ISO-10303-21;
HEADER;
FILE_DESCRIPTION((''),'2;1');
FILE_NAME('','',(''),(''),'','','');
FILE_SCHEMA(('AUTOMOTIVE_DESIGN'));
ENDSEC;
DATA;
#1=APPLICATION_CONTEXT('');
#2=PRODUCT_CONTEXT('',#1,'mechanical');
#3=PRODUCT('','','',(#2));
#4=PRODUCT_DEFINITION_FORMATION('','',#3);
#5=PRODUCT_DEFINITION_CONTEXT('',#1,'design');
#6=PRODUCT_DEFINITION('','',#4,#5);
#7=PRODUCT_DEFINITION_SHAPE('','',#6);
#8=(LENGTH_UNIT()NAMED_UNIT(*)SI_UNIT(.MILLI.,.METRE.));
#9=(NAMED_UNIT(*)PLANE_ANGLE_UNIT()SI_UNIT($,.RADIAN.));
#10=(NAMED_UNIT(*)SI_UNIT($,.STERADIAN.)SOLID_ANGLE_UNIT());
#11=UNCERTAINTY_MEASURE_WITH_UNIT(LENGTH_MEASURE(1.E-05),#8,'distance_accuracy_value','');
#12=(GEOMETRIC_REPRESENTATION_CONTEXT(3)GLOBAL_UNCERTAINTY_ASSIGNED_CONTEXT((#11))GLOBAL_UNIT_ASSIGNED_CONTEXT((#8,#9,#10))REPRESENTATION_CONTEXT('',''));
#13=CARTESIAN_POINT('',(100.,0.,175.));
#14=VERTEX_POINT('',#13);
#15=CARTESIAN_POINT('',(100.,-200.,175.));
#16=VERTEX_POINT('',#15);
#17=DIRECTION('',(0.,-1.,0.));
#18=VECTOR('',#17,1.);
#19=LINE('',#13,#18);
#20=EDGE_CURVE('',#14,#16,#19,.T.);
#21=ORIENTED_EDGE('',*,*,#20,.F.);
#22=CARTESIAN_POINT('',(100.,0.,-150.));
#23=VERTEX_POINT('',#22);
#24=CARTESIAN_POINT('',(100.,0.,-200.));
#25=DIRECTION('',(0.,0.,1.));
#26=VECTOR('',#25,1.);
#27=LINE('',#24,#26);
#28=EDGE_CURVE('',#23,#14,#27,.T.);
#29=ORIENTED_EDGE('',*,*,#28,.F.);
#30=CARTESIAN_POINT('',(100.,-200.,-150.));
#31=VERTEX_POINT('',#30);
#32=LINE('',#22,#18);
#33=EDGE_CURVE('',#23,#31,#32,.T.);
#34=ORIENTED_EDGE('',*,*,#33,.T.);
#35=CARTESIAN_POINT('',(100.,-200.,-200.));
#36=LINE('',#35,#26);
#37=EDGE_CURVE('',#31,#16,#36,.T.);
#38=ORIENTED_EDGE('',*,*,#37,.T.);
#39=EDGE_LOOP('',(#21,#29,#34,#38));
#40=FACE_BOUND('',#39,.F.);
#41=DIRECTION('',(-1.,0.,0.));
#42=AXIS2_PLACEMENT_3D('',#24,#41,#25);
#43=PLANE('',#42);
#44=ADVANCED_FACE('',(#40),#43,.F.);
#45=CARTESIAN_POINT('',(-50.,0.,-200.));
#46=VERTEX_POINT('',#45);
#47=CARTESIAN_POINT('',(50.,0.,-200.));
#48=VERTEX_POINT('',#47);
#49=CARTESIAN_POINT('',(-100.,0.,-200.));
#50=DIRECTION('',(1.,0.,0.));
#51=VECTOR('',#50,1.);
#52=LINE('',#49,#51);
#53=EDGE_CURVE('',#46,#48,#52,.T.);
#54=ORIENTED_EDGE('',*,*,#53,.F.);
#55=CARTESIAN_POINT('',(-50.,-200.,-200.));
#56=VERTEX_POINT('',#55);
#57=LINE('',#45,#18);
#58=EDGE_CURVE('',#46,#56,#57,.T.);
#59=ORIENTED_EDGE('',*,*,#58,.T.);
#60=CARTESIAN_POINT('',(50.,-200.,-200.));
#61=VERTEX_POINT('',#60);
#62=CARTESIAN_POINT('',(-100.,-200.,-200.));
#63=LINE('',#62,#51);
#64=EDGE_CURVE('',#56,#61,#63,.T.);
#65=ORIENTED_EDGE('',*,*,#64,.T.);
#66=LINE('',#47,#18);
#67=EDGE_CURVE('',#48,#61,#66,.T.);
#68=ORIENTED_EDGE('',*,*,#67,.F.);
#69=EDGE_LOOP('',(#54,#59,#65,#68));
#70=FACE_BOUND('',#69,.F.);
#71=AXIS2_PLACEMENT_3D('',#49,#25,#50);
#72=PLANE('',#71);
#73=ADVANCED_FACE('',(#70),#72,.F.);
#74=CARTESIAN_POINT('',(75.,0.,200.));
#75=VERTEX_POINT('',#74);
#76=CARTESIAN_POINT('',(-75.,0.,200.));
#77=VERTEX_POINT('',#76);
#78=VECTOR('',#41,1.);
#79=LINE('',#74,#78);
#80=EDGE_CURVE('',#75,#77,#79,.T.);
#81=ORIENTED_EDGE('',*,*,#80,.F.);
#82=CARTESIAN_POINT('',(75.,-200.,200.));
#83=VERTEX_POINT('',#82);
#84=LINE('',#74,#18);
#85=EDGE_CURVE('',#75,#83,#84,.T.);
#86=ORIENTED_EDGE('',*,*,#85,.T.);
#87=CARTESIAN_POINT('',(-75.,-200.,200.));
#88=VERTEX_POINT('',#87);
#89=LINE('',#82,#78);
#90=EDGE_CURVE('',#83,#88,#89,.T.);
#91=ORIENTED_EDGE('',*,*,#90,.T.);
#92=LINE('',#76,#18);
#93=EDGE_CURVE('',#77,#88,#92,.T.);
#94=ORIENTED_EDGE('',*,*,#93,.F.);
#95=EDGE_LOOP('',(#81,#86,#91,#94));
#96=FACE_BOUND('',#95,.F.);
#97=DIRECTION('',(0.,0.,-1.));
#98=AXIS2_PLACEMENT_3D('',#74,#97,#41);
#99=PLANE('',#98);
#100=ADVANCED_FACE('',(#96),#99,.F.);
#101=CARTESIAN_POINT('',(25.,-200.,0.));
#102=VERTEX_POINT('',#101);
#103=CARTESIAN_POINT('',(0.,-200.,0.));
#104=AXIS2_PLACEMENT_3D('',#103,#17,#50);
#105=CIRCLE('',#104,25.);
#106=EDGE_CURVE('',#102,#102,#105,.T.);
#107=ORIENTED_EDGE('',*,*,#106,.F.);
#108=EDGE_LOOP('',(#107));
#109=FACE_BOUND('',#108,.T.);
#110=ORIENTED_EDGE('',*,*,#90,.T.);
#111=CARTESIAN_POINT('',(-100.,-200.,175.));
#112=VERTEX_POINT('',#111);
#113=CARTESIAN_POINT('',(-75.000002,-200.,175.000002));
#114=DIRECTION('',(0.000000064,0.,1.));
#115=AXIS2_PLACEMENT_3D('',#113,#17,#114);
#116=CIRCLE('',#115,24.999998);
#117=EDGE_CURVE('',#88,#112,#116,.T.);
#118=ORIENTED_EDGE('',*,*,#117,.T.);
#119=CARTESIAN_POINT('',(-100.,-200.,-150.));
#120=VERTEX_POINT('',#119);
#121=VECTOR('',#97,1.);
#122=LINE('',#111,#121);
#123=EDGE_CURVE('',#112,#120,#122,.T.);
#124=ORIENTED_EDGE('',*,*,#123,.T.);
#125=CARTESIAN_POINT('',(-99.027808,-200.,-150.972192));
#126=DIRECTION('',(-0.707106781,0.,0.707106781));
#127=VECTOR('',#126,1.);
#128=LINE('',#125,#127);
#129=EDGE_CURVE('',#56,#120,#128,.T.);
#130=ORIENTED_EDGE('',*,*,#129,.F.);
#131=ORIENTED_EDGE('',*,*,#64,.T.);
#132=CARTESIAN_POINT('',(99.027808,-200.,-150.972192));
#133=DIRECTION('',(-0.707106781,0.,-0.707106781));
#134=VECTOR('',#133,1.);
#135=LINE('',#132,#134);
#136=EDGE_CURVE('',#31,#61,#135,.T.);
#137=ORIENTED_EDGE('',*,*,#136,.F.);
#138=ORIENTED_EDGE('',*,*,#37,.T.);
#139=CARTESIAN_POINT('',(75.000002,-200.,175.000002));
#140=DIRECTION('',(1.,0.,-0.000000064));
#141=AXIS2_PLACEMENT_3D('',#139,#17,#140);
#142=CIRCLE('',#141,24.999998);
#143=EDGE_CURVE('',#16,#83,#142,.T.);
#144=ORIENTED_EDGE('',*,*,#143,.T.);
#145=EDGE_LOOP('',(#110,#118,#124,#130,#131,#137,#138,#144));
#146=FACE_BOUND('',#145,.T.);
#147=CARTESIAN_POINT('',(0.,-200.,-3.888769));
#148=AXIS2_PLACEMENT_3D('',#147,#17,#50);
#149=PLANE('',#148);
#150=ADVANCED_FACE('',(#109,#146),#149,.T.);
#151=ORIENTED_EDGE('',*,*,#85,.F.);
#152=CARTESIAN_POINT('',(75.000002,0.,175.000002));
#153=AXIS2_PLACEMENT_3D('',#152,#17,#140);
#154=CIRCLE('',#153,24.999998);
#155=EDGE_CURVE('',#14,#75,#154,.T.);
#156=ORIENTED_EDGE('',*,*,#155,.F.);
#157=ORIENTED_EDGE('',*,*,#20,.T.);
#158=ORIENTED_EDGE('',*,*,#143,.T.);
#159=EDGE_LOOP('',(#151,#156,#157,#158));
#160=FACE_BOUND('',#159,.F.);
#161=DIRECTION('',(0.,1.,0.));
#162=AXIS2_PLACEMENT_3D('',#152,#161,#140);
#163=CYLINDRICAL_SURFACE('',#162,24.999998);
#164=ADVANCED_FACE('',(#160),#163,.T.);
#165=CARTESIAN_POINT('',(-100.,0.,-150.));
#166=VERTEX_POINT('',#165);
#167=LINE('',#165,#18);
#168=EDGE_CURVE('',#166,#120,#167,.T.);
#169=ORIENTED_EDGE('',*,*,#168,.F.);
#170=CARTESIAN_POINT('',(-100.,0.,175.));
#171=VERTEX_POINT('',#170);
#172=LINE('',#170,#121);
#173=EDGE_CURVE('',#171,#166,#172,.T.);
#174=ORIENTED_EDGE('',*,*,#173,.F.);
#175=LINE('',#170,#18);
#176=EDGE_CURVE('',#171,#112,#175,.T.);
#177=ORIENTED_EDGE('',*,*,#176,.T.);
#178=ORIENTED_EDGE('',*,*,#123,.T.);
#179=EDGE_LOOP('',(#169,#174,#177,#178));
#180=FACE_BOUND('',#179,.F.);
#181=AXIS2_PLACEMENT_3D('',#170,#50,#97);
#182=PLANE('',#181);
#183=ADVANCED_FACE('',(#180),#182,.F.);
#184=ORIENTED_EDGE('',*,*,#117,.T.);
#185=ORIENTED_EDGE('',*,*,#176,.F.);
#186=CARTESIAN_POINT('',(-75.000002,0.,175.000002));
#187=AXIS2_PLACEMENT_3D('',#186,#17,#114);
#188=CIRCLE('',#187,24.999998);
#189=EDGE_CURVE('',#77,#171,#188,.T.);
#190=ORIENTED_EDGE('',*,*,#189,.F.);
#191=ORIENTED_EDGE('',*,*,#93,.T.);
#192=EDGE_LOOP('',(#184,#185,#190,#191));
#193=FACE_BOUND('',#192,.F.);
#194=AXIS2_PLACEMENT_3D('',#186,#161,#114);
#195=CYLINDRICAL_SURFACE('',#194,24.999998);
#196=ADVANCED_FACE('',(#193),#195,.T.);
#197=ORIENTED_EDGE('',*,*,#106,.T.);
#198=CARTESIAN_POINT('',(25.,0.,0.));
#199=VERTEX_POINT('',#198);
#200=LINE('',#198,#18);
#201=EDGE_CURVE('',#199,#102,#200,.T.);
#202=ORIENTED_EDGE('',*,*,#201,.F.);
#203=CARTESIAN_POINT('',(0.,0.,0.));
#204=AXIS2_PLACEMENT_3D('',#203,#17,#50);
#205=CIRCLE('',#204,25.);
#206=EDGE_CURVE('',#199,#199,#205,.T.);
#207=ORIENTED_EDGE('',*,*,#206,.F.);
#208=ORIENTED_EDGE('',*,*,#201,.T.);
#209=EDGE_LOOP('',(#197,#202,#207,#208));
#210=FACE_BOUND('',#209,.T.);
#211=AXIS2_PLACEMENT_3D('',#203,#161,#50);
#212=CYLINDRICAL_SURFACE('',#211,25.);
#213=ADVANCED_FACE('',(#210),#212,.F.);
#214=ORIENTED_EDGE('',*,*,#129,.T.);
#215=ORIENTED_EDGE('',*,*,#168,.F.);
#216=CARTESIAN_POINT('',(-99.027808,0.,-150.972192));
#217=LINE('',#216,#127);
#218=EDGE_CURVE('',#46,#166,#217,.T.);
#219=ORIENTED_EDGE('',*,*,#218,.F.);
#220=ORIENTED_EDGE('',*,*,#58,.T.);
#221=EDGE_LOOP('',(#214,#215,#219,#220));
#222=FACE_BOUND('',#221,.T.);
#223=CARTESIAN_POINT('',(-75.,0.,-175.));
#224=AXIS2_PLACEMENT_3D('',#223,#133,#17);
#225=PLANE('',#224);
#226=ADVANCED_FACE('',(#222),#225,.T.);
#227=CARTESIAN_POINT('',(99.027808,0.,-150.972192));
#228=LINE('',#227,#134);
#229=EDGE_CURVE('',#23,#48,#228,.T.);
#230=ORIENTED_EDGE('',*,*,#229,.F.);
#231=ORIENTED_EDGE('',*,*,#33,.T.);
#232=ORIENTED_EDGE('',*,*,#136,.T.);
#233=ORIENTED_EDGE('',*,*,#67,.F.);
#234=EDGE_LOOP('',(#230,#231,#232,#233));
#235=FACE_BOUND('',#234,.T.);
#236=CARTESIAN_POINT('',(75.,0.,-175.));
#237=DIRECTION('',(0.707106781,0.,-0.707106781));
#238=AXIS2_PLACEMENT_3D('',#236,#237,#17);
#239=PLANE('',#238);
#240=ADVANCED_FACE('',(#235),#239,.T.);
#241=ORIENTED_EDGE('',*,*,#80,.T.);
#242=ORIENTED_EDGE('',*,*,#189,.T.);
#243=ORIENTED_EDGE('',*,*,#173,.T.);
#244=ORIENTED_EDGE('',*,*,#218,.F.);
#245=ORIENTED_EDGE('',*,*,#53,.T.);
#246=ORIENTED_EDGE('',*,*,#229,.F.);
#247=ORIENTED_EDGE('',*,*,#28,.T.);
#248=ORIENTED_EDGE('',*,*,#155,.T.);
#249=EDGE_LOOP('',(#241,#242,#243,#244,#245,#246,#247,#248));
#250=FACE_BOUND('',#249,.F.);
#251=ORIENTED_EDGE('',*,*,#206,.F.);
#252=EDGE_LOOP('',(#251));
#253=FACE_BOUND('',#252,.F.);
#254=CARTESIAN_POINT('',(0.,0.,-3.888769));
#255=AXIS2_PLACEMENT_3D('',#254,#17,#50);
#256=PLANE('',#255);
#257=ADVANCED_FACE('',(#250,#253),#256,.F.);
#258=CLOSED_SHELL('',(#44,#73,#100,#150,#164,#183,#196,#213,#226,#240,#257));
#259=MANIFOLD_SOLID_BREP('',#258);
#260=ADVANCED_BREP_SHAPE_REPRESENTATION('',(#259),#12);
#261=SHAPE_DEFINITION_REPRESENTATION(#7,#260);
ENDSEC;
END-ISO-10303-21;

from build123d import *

# Parameters (mm, degrees)
F0_R     = 25
F1_DEPTH = 200
F2_SIZE  = 50


with BuildPart() as f1:
    # F0 (on Front) → F1 (new body)
    with BuildSketch(Plane.XZ):
        with BuildLine():
            ThreePointArc((100, 175), (92.67767, 192.67767), (75, 200))
            Line((75, 200), (-75, 200))
            ThreePointArc((-75, 200), (-92.67767, 192.67767), (-100, 175))
            Line((-100, 175), (-100, -200))
            Line((-100, -200), (100, -200))
            Line((100, -200), (100, 175))
        make_face()
        Circle(F0_R, mode=Mode.SUBTRACT)
    extrude(amount=F1_DEPTH)

    # F2
    f2_edges = [f1.edges().sort_by_distance(p)[0] for p in [
        (-100, -100, -200),
        (100, -100, -200),
    ]]
    chamfer(f2_edges, length=F2_SIZE)


solid = f1.part
